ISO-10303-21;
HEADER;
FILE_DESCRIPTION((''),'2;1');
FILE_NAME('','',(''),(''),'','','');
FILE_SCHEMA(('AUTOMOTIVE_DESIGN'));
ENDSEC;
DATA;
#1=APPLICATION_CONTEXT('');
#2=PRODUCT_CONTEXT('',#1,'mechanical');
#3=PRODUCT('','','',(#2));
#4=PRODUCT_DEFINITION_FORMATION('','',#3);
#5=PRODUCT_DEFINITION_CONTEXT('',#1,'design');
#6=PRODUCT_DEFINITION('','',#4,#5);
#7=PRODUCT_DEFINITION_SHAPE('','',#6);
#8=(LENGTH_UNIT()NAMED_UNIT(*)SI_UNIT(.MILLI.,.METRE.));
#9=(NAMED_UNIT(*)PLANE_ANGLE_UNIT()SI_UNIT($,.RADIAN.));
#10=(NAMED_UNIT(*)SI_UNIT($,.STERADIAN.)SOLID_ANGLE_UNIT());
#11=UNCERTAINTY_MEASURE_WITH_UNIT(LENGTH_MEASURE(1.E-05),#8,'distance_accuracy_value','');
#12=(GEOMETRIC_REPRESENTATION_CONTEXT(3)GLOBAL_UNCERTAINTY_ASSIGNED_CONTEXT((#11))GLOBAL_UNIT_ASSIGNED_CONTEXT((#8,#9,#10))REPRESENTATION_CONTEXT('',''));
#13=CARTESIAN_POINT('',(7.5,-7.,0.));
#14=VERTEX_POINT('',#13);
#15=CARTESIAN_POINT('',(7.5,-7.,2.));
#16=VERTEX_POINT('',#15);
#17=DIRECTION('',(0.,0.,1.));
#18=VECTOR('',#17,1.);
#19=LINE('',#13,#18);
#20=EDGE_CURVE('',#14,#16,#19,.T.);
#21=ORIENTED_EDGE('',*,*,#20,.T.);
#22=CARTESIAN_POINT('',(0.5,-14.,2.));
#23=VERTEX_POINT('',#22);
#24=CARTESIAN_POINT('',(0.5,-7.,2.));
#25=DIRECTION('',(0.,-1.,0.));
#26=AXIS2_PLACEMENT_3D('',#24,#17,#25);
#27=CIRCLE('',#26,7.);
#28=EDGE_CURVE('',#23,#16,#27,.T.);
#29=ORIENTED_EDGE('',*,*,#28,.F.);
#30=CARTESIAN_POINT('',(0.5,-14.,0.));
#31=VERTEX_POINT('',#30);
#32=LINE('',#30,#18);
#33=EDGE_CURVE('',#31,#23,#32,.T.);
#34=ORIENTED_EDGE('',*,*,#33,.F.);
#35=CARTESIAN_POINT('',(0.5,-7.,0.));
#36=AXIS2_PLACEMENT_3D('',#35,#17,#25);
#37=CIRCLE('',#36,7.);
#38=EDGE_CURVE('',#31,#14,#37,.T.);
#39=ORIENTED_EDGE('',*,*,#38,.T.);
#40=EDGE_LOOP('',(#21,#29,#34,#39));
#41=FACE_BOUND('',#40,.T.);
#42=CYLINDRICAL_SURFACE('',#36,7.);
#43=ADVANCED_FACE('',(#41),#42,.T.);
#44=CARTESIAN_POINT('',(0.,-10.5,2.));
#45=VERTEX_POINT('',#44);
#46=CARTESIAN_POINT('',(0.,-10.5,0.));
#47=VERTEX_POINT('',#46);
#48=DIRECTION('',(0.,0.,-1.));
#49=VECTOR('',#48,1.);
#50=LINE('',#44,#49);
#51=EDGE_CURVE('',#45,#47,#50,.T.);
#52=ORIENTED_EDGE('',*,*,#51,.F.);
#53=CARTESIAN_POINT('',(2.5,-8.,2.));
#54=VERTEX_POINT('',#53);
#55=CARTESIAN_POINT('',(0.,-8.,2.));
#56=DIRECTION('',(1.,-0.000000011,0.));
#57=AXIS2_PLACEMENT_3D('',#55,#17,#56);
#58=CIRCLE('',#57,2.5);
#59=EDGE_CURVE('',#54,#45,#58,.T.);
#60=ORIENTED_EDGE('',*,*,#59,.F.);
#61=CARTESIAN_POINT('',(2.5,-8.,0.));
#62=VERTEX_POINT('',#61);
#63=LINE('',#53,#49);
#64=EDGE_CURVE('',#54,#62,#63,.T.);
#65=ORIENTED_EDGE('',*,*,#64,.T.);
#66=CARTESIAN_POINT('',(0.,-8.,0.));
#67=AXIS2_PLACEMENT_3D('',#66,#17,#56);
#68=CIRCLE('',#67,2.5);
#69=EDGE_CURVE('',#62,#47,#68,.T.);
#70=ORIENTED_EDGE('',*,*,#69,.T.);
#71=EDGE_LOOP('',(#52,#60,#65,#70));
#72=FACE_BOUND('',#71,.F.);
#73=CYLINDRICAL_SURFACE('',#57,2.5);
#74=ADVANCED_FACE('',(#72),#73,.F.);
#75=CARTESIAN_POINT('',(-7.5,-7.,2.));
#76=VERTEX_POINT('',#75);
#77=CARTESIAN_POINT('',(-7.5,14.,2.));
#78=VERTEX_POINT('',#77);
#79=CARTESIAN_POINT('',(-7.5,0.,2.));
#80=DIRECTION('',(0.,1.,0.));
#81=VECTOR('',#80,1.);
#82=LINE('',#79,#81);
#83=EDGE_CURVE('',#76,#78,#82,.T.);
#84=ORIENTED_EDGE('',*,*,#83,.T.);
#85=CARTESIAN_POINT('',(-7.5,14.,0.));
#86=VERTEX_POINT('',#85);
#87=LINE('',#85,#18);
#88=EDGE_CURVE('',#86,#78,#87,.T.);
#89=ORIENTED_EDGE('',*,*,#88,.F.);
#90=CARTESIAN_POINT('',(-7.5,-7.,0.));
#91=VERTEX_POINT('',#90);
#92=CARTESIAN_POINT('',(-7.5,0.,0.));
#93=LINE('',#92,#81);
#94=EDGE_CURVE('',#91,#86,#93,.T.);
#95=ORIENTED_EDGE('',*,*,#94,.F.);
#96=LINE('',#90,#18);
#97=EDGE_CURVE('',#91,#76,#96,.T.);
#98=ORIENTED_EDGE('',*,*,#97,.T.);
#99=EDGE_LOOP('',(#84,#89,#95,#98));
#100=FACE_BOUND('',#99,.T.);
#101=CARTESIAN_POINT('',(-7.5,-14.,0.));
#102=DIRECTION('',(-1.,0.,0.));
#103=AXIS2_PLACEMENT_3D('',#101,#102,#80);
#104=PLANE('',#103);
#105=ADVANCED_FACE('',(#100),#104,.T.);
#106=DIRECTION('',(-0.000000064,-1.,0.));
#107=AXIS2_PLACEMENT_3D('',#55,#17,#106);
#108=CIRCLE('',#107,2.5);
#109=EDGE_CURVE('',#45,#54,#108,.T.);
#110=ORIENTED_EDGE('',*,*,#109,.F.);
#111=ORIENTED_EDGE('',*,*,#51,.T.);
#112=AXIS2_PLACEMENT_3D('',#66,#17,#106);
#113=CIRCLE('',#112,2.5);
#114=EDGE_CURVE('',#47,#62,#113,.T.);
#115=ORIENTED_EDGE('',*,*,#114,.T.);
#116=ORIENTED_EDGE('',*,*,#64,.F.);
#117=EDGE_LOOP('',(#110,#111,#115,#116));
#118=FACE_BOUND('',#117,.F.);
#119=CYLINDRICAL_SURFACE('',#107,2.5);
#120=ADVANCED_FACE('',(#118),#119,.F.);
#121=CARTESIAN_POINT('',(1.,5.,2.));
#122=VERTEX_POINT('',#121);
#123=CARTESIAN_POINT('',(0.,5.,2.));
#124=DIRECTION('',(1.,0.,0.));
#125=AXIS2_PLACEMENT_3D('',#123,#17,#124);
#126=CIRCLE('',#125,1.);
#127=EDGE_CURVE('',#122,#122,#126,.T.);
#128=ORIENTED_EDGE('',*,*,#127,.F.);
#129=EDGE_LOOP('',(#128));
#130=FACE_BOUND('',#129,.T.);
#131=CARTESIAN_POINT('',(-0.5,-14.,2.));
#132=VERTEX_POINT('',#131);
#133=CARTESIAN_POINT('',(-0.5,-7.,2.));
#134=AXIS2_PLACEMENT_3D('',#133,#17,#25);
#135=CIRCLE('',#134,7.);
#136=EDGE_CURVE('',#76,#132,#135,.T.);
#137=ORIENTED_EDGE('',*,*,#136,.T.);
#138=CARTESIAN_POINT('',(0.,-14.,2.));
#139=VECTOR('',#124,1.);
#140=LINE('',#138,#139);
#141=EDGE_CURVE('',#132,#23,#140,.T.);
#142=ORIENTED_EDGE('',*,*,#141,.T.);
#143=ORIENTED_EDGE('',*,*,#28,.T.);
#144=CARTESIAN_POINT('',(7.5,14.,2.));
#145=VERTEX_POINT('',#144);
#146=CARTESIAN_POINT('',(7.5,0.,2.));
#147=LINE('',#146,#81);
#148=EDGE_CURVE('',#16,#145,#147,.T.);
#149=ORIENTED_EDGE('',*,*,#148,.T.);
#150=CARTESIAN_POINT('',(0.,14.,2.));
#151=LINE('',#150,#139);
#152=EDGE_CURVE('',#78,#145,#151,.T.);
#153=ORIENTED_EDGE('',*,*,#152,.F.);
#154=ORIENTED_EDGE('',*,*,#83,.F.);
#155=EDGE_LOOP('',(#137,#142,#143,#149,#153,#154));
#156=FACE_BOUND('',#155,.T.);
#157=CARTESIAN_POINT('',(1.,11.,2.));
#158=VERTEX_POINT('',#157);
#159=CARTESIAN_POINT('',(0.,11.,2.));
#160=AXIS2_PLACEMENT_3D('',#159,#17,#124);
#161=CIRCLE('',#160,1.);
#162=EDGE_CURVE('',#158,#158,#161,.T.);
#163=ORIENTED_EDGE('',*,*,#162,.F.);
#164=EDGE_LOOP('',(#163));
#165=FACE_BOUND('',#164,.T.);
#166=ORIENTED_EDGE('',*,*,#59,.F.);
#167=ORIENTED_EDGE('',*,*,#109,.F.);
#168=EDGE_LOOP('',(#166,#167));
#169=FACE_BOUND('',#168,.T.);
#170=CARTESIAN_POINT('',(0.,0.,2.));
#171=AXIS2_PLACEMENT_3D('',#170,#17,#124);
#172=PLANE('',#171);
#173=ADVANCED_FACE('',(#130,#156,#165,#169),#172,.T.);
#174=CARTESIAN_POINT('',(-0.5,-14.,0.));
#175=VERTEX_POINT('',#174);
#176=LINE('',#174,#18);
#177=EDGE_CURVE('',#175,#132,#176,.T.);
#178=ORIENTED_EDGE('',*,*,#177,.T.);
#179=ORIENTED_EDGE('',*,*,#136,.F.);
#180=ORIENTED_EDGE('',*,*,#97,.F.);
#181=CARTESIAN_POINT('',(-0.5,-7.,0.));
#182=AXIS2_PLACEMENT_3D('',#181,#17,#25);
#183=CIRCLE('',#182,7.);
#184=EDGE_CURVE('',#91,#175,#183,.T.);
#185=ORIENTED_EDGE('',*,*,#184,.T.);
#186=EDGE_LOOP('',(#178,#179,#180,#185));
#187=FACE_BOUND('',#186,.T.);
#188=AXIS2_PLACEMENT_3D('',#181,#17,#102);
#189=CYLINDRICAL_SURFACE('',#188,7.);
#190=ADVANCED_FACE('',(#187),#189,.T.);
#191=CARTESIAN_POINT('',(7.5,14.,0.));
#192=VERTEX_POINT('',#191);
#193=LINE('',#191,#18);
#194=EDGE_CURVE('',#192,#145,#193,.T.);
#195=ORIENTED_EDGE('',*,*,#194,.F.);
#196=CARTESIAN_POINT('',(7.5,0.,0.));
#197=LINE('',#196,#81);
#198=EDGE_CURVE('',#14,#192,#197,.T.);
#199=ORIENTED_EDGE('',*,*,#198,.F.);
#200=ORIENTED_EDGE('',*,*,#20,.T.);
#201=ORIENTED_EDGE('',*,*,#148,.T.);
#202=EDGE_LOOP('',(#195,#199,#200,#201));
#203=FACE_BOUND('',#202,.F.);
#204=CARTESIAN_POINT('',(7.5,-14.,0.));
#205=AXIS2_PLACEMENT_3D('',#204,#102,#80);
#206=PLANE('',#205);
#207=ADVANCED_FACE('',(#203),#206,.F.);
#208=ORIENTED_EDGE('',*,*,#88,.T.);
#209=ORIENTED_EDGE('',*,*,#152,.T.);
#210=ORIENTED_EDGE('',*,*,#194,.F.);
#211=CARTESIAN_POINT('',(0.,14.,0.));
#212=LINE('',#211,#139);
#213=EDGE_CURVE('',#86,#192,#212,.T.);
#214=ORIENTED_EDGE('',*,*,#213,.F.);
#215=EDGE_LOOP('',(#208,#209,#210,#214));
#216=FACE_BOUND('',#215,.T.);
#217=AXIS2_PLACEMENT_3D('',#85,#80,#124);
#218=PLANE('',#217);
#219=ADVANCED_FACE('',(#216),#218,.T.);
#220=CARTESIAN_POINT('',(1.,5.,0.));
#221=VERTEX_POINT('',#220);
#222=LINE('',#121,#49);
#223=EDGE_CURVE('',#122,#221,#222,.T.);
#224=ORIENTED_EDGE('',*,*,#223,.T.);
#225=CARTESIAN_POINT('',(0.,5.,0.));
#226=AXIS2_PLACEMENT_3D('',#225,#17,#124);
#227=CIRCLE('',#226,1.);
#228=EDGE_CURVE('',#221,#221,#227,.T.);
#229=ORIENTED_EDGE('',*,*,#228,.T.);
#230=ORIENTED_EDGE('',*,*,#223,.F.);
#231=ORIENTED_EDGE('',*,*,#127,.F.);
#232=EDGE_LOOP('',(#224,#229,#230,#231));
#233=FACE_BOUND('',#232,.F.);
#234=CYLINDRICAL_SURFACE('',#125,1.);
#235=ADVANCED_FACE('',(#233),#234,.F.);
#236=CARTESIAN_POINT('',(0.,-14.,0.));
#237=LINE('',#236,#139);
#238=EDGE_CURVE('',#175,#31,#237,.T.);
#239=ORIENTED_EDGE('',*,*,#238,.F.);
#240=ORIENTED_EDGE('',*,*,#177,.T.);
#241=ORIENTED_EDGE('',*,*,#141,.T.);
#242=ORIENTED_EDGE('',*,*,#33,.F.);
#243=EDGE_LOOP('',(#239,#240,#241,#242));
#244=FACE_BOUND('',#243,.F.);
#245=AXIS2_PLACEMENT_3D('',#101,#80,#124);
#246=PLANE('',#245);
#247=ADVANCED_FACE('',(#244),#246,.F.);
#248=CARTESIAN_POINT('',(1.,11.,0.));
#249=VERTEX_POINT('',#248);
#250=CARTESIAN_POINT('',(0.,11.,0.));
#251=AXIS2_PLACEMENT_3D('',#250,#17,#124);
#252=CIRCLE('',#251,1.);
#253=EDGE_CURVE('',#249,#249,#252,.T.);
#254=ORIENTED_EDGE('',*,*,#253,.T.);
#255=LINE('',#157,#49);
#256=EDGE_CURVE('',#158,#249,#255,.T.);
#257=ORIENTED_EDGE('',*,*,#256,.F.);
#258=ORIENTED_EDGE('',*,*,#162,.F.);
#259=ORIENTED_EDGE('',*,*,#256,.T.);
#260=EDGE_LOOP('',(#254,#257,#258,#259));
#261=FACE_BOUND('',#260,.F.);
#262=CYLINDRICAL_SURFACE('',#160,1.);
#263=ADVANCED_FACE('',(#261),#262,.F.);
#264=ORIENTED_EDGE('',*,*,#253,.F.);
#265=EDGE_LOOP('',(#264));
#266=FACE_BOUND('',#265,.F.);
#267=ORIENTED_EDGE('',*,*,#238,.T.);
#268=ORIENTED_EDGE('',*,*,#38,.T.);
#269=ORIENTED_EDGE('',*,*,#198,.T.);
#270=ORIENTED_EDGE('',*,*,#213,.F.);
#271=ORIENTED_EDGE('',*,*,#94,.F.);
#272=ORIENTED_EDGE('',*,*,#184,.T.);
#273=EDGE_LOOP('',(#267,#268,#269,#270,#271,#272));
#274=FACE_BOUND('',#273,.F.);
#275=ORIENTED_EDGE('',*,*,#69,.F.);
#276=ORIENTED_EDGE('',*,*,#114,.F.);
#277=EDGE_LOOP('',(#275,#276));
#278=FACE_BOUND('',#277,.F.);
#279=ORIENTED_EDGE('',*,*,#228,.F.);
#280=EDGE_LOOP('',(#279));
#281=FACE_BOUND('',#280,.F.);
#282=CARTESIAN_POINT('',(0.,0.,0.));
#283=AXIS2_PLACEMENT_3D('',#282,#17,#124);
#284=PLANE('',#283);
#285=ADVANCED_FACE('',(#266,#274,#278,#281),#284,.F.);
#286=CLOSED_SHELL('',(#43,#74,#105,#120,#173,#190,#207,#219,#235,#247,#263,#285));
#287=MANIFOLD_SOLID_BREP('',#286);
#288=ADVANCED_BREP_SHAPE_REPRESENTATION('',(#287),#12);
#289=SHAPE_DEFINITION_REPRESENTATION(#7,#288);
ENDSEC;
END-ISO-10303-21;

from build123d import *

# Parameters (mm, degrees)
F0_W     = 15
F0_H     = 28
F1_DEPTH = 2
F2_R     = 7
F3_R     = 1
F4_DEPTH = 2


with BuildPart() as f1:
    # F0 (on Top) → F1 (new body)
    with BuildSketch(Plane.XY):
        Rectangle(F0_W, F0_H)
    extrude(amount=F1_DEPTH)

    # F2
    f2_edges = [f1.edges().sort_by_distance(p)[0] for p in [
        (-7.5, -14, 1),
        (7.5, -14, 1),
    ]]
    fillet(f2_edges, radius=F2_R)

    # F3 (on face) → F4 (cut, through all)
    with BuildSketch(Plane.XY.offset(2)):
        with BuildLine():
            ThreePointArc((0, -10.5), (1.767767, -9.767767), (2.5, -8))
            ThreePointArc((2.5, -8), (-1.767767, -6.232233), (0, -10.5))
        make_face()
        with Locations((0, 5)):
            Circle(F3_R)
        with Locations((0, 11)):
            Circle(F3_R)
    extrude(amount=-F4_DEPTH, mode=Mode.SUBTRACT)


solid = f1.part
